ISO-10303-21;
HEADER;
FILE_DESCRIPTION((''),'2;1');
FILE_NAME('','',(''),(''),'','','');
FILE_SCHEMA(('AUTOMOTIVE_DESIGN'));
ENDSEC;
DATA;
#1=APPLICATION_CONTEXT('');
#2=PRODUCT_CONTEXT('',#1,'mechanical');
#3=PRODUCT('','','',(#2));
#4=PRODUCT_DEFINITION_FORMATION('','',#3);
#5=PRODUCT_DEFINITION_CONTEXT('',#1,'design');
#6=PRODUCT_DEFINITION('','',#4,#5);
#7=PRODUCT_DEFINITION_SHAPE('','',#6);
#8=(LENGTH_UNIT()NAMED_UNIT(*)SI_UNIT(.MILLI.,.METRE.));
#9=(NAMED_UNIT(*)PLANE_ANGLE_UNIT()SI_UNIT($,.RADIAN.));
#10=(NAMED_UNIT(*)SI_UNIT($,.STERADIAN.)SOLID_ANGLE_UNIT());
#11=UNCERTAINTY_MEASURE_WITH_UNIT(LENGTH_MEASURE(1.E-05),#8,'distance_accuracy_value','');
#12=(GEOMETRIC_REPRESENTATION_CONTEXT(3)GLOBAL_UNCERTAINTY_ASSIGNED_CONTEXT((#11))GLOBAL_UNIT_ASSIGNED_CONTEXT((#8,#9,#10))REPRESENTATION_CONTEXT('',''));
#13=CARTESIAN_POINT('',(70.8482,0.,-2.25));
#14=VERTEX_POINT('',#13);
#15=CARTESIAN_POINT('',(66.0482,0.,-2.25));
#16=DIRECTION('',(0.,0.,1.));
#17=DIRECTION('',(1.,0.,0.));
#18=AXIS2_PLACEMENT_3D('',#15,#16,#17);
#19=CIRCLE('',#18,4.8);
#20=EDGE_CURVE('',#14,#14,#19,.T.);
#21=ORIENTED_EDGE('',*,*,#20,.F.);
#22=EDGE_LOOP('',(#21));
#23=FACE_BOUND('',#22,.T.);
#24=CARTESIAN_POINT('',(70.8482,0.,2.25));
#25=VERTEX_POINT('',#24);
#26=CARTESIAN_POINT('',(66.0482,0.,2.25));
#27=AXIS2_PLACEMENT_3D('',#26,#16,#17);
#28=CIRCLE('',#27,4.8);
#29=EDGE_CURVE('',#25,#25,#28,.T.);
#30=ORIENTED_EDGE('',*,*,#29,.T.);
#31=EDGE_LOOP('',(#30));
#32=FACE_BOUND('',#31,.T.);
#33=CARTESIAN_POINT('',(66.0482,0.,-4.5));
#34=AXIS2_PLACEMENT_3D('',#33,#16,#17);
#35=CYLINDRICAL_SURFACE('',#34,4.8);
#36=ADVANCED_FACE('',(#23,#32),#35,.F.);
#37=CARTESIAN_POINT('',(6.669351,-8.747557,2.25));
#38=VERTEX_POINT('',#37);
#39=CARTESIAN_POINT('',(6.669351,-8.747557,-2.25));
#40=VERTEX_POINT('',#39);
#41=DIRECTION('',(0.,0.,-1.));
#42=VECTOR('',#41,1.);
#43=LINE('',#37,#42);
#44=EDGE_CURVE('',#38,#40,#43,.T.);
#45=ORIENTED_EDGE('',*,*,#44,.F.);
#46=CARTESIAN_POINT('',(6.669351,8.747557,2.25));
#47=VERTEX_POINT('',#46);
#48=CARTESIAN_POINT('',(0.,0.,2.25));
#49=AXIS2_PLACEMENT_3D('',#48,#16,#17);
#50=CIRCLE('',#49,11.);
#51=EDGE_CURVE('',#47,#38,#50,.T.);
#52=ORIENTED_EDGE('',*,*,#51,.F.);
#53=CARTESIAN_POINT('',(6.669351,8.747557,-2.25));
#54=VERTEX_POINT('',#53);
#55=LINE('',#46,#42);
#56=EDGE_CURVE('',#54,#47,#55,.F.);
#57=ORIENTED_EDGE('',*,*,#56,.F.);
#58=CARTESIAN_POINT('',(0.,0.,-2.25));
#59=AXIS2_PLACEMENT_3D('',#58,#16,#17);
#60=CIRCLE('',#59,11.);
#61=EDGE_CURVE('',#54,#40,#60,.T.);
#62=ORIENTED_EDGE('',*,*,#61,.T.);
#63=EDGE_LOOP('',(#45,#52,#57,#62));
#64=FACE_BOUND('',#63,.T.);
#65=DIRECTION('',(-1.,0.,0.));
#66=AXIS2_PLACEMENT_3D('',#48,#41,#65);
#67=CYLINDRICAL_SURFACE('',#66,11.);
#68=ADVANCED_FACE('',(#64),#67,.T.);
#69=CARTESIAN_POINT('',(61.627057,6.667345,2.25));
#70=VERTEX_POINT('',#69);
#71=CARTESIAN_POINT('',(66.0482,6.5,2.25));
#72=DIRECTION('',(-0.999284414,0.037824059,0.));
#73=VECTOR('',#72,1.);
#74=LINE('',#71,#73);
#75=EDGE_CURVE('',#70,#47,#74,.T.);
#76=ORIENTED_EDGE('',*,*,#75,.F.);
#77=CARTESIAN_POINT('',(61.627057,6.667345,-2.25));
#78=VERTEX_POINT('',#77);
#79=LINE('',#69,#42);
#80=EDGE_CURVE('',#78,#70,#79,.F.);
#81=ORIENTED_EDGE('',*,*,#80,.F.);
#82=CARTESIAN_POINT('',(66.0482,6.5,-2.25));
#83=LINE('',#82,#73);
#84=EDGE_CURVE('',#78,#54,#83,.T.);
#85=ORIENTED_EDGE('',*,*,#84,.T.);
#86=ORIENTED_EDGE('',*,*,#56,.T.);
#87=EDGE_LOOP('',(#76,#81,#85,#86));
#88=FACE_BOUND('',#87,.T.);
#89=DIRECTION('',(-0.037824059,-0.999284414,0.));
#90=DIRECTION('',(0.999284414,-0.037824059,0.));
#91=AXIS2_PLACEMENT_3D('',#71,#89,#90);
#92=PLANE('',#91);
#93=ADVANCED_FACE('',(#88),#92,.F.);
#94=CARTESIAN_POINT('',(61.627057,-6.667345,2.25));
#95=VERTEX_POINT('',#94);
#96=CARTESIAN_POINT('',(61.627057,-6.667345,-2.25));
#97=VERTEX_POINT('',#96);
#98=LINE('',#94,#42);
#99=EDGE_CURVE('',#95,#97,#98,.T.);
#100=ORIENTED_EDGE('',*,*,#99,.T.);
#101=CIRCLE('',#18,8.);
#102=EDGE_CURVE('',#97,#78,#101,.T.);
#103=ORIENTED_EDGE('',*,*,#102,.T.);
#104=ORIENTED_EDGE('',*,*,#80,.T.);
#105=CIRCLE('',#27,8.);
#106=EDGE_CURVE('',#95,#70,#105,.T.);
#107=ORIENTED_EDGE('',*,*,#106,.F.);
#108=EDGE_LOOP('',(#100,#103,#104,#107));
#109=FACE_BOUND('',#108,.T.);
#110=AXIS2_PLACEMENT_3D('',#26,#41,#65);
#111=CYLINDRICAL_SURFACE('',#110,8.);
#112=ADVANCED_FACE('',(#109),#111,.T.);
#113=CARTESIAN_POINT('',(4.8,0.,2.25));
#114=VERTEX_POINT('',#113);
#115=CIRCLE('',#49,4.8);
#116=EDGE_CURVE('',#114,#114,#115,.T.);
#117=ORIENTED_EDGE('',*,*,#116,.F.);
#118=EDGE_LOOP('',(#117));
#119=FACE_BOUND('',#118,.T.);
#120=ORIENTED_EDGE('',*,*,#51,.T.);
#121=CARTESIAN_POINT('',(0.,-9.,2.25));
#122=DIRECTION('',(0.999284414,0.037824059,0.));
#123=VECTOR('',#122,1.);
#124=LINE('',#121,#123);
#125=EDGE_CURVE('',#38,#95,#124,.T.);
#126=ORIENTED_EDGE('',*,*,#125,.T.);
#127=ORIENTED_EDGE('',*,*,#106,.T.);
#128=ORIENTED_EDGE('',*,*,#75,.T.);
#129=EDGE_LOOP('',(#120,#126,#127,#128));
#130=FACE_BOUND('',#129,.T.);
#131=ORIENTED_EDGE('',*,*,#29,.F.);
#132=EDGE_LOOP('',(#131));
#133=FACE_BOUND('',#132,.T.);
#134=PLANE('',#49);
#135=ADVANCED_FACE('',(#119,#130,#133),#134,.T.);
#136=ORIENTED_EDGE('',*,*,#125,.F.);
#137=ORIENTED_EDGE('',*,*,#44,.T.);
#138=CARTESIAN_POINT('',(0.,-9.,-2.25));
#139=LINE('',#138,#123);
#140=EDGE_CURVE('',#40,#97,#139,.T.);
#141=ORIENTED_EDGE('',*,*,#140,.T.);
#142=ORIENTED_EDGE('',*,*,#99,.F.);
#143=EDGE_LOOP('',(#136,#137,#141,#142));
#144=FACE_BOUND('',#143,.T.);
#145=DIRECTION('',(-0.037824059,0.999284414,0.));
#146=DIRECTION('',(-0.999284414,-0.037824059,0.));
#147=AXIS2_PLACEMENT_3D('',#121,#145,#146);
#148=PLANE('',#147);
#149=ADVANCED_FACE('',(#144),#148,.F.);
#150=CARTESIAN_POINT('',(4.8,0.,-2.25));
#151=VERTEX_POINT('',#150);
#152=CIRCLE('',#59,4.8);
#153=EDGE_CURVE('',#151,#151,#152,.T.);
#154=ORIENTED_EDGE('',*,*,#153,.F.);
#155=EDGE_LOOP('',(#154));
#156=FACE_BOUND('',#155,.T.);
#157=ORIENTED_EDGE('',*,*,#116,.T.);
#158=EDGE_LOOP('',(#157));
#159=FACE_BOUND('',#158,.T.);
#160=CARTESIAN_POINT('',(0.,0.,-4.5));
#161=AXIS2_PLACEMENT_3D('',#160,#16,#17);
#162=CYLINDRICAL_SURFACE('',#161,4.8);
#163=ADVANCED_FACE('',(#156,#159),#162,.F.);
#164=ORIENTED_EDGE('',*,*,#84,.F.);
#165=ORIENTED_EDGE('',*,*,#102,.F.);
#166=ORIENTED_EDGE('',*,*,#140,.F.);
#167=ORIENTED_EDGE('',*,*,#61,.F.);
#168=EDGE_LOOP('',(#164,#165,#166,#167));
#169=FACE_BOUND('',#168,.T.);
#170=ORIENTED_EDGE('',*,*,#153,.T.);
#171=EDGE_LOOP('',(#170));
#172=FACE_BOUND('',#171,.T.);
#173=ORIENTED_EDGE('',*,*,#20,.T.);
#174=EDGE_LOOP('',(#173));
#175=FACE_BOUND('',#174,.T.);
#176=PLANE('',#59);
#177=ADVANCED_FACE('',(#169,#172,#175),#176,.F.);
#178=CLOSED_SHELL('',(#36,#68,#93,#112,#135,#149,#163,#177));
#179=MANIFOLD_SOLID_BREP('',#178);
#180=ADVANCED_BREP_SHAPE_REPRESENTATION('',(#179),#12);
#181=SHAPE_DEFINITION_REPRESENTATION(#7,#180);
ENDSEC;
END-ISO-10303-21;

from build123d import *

# Parameters (mm, degrees)
SKETCH1_R           = 11
BOSS_EXTRUDE1_DEPTH = 2.25
SKETCH2_R           = 8
BOSS_EXTRUDE2_DEPTH = 2.25
BOSS_EXTRUDE3_DEPTH = 2.25
SKETCH4_R           = 4.8
CUT_EXTRUDE1_DEPTH  = 4.5


with BuildPart() as part:
    # Sketch1 → Boss-Extrude1 (new, symmetric)
    with BuildSketch(Plane.XY):
        Circle(SKETCH1_R)
    extrude(amount=BOSS_EXTRUDE1_DEPTH, both=True)



with BuildPart() as body_2:
    # Sketch2 → Boss-Extrude2 (new, symmetric)
    with BuildSketch(Plane.XY):
        with Locations((66.0482, 0)):
            Circle(SKETCH2_R)
    extrude(amount=BOSS_EXTRUDE2_DEPTH, both=True)


with BuildPart() as part_1:
    add(part.part)

    add(body_2.part)  # Boss-Extrude3 merges body 2
    # Sketch3 → Boss-Extrude3 (add, symmetric)
    with BuildSketch(Plane.XY):
        Polygon((0, -9), (66.0482, -6.5), (66.0482, 6.5), (0, 9), align=None)
    extrude(amount=BOSS_EXTRUDE3_DEPTH, both=True)

    # Sketch4 → Cut-Extrude1 (cut, symmetric)
    with BuildSketch(Plane.XY):
        Circle(SKETCH4_R)
        with Locations((66.0482, 0)):
            Circle(SKETCH4_R)
    extrude(amount=CUT_EXTRUDE1_DEPTH, both=True, mode=Mode.SUBTRACT)


solid = part_1.part
